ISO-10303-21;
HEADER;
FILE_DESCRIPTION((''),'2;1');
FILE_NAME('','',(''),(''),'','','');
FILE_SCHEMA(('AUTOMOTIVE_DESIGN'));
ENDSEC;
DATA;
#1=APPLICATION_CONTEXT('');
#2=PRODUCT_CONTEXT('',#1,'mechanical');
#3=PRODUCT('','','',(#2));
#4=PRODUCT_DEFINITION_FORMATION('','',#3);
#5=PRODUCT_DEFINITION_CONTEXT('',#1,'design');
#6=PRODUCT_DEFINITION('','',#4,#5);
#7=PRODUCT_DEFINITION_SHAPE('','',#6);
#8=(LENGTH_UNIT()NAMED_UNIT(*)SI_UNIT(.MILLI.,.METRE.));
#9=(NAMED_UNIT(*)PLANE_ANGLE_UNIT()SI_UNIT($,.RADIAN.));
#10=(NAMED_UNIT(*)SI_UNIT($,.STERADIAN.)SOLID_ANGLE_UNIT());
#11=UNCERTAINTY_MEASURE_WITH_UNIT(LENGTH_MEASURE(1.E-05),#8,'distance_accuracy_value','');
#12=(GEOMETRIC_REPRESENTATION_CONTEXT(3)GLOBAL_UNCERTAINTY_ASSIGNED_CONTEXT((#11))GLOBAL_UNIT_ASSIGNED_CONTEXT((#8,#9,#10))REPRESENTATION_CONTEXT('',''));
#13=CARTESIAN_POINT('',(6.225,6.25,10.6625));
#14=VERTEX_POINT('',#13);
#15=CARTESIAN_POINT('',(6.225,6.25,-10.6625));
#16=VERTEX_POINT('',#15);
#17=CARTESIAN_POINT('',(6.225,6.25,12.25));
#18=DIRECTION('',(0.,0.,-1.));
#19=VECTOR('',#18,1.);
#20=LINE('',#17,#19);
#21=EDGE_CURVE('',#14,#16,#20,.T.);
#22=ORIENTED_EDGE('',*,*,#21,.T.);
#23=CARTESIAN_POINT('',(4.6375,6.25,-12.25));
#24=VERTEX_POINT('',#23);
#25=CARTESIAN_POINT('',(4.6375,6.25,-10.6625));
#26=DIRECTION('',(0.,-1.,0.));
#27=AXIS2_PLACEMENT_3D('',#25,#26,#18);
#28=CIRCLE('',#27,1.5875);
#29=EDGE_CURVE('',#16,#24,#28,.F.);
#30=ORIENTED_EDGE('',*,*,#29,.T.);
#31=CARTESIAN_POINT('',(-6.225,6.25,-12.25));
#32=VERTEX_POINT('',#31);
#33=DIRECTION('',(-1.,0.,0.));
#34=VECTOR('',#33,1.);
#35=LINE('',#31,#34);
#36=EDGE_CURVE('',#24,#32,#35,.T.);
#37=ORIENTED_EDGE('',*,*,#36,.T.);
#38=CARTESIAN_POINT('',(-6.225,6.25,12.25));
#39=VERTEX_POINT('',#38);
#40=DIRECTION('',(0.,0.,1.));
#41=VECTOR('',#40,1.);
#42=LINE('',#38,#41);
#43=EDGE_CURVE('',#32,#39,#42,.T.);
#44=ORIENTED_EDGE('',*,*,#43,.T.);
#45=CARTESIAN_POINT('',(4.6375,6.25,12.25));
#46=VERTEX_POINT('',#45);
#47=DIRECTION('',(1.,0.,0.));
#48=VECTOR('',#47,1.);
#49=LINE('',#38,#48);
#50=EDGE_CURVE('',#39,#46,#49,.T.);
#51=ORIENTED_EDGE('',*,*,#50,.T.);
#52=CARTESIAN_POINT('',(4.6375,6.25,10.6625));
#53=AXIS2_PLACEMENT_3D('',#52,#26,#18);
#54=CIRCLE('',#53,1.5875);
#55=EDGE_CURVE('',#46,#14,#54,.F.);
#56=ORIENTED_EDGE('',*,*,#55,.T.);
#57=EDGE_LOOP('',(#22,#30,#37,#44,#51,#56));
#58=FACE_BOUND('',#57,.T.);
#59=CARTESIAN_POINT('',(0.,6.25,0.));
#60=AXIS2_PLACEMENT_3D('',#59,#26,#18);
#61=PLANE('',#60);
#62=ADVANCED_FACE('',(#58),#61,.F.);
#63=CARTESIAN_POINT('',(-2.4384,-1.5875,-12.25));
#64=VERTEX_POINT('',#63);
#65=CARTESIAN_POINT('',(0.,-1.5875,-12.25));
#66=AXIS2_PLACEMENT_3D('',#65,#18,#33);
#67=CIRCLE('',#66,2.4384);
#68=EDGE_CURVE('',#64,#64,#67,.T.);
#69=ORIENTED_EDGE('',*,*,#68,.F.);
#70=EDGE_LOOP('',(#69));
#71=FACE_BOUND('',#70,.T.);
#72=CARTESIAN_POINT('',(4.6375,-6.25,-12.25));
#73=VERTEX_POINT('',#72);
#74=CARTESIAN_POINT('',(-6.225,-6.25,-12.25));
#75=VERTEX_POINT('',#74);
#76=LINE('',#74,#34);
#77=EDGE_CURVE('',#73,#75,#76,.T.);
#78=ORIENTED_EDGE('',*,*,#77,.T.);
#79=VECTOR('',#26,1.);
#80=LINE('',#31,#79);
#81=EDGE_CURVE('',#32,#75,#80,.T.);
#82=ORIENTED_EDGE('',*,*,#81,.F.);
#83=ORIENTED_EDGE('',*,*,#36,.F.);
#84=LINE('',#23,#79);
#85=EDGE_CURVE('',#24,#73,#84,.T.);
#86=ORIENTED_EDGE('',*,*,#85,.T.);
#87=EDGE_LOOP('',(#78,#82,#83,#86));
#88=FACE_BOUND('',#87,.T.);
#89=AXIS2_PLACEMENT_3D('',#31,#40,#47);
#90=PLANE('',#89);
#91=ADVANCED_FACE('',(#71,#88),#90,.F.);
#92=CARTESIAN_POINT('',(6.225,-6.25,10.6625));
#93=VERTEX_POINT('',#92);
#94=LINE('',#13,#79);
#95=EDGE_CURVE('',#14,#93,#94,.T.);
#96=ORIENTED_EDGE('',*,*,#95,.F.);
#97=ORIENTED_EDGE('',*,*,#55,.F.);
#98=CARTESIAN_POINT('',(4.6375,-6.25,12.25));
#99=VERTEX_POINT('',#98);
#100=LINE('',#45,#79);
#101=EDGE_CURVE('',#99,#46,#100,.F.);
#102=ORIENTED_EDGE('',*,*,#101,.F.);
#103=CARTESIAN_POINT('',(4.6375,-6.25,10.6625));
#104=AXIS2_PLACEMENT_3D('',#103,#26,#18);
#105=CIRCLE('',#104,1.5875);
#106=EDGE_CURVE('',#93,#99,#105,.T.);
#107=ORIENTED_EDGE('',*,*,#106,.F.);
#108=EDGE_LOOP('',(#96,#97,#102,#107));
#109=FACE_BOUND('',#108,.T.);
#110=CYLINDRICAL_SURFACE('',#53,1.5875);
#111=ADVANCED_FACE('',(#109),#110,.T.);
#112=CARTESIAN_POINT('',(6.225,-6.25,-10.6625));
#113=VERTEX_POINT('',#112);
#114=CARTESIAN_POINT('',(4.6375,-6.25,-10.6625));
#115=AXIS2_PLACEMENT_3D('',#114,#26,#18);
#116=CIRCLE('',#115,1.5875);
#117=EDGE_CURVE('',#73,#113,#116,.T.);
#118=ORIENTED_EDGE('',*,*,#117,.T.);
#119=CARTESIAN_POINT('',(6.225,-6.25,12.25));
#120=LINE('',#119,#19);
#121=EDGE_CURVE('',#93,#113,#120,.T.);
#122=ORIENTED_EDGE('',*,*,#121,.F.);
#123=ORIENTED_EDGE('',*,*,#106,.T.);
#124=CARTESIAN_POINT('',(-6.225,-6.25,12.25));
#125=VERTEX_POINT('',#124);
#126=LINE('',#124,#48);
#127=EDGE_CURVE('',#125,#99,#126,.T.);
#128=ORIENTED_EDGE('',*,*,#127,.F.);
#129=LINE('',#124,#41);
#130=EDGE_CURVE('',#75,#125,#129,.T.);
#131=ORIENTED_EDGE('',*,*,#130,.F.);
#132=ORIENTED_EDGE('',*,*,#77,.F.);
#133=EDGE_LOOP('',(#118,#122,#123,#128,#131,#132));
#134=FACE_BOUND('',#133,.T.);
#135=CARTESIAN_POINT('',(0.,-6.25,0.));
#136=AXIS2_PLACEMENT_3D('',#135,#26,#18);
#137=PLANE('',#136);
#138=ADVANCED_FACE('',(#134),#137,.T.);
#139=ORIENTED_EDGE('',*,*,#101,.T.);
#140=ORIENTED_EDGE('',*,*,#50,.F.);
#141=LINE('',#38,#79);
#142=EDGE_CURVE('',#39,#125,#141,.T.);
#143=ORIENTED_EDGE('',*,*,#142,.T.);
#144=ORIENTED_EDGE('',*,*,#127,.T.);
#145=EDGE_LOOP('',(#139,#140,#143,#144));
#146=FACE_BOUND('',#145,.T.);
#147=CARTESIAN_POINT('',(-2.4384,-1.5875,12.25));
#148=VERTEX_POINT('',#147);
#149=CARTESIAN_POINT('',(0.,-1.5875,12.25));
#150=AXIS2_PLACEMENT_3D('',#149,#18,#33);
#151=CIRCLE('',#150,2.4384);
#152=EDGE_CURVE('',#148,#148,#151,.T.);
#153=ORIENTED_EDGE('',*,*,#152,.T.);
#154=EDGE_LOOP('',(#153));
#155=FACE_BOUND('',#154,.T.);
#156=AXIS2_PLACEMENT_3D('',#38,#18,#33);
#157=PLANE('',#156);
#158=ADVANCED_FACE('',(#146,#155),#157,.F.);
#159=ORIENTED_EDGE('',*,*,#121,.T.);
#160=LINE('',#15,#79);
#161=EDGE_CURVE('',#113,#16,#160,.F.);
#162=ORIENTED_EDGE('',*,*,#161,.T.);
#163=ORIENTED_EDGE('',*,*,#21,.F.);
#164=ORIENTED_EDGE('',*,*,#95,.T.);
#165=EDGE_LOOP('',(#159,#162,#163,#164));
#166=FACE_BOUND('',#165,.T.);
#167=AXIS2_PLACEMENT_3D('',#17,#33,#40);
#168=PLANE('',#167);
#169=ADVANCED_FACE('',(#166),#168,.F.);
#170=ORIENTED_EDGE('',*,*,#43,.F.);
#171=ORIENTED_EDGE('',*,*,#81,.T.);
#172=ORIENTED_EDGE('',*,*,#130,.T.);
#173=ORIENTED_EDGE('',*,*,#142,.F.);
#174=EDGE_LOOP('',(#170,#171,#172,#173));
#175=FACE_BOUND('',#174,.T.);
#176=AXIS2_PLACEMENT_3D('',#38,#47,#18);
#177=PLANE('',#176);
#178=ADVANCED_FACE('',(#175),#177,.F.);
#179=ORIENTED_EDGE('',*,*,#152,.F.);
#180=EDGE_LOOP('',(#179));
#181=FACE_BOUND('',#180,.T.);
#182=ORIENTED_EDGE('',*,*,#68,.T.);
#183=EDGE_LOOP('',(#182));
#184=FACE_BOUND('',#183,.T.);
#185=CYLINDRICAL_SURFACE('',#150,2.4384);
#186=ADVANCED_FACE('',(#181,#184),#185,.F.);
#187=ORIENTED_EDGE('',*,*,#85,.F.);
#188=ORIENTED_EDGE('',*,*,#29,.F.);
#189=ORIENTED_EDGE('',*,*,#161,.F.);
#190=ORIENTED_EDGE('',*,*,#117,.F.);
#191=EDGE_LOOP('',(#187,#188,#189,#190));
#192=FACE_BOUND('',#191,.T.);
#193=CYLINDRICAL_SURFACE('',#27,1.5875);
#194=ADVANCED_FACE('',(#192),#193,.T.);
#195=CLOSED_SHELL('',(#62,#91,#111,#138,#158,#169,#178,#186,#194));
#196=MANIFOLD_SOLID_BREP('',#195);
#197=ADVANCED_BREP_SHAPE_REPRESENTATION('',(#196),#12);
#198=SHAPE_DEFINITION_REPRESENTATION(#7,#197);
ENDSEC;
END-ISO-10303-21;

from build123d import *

# Parameters (mm, degrees)
SKETCH1_W           = 12.45
SKETCH1_H           = 24.5
BOSS_EXTRUDE1_DEPTH = 6.25
FILLET1_R           = 1.5875
SKETCH2_R           = 2.4384
CUT_EXTRUDE2_DEPTH  = 27.039645255


with BuildPart() as part:
    # Sketch1 → Boss-Extrude1 (new, symmetric)
    with BuildSketch(Plane(origin=(0, 0, 0), x_dir=(1, 0, 0), z_dir=(0, 1, 0))):
        Rectangle(SKETCH1_W, SKETCH1_H)
    extrude(amount=BOSS_EXTRUDE1_DEPTH, both=True)

    # Fillet1
    fillet1_edges = [part.edges().sort_by_distance(p)[0] for p in [
        (6.225, 0, 12.25),
        (6.225, 0, -12.25),
    ]]
    fillet(fillet1_edges, radius=FILLET1_R)

    # Sketch2 → Cut-Extrude2 (cut, through all)
    with BuildSketch(Plane(origin=(0, 0, -12.25), x_dir=(-1, 0, 0), z_dir=(0, 0, -1))):
        with Locations((0, -1.5875)):
            Circle(SKETCH2_R)
    extrude(amount=-CUT_EXTRUDE2_DEPTH, mode=Mode.SUBTRACT)


solid = part.part
